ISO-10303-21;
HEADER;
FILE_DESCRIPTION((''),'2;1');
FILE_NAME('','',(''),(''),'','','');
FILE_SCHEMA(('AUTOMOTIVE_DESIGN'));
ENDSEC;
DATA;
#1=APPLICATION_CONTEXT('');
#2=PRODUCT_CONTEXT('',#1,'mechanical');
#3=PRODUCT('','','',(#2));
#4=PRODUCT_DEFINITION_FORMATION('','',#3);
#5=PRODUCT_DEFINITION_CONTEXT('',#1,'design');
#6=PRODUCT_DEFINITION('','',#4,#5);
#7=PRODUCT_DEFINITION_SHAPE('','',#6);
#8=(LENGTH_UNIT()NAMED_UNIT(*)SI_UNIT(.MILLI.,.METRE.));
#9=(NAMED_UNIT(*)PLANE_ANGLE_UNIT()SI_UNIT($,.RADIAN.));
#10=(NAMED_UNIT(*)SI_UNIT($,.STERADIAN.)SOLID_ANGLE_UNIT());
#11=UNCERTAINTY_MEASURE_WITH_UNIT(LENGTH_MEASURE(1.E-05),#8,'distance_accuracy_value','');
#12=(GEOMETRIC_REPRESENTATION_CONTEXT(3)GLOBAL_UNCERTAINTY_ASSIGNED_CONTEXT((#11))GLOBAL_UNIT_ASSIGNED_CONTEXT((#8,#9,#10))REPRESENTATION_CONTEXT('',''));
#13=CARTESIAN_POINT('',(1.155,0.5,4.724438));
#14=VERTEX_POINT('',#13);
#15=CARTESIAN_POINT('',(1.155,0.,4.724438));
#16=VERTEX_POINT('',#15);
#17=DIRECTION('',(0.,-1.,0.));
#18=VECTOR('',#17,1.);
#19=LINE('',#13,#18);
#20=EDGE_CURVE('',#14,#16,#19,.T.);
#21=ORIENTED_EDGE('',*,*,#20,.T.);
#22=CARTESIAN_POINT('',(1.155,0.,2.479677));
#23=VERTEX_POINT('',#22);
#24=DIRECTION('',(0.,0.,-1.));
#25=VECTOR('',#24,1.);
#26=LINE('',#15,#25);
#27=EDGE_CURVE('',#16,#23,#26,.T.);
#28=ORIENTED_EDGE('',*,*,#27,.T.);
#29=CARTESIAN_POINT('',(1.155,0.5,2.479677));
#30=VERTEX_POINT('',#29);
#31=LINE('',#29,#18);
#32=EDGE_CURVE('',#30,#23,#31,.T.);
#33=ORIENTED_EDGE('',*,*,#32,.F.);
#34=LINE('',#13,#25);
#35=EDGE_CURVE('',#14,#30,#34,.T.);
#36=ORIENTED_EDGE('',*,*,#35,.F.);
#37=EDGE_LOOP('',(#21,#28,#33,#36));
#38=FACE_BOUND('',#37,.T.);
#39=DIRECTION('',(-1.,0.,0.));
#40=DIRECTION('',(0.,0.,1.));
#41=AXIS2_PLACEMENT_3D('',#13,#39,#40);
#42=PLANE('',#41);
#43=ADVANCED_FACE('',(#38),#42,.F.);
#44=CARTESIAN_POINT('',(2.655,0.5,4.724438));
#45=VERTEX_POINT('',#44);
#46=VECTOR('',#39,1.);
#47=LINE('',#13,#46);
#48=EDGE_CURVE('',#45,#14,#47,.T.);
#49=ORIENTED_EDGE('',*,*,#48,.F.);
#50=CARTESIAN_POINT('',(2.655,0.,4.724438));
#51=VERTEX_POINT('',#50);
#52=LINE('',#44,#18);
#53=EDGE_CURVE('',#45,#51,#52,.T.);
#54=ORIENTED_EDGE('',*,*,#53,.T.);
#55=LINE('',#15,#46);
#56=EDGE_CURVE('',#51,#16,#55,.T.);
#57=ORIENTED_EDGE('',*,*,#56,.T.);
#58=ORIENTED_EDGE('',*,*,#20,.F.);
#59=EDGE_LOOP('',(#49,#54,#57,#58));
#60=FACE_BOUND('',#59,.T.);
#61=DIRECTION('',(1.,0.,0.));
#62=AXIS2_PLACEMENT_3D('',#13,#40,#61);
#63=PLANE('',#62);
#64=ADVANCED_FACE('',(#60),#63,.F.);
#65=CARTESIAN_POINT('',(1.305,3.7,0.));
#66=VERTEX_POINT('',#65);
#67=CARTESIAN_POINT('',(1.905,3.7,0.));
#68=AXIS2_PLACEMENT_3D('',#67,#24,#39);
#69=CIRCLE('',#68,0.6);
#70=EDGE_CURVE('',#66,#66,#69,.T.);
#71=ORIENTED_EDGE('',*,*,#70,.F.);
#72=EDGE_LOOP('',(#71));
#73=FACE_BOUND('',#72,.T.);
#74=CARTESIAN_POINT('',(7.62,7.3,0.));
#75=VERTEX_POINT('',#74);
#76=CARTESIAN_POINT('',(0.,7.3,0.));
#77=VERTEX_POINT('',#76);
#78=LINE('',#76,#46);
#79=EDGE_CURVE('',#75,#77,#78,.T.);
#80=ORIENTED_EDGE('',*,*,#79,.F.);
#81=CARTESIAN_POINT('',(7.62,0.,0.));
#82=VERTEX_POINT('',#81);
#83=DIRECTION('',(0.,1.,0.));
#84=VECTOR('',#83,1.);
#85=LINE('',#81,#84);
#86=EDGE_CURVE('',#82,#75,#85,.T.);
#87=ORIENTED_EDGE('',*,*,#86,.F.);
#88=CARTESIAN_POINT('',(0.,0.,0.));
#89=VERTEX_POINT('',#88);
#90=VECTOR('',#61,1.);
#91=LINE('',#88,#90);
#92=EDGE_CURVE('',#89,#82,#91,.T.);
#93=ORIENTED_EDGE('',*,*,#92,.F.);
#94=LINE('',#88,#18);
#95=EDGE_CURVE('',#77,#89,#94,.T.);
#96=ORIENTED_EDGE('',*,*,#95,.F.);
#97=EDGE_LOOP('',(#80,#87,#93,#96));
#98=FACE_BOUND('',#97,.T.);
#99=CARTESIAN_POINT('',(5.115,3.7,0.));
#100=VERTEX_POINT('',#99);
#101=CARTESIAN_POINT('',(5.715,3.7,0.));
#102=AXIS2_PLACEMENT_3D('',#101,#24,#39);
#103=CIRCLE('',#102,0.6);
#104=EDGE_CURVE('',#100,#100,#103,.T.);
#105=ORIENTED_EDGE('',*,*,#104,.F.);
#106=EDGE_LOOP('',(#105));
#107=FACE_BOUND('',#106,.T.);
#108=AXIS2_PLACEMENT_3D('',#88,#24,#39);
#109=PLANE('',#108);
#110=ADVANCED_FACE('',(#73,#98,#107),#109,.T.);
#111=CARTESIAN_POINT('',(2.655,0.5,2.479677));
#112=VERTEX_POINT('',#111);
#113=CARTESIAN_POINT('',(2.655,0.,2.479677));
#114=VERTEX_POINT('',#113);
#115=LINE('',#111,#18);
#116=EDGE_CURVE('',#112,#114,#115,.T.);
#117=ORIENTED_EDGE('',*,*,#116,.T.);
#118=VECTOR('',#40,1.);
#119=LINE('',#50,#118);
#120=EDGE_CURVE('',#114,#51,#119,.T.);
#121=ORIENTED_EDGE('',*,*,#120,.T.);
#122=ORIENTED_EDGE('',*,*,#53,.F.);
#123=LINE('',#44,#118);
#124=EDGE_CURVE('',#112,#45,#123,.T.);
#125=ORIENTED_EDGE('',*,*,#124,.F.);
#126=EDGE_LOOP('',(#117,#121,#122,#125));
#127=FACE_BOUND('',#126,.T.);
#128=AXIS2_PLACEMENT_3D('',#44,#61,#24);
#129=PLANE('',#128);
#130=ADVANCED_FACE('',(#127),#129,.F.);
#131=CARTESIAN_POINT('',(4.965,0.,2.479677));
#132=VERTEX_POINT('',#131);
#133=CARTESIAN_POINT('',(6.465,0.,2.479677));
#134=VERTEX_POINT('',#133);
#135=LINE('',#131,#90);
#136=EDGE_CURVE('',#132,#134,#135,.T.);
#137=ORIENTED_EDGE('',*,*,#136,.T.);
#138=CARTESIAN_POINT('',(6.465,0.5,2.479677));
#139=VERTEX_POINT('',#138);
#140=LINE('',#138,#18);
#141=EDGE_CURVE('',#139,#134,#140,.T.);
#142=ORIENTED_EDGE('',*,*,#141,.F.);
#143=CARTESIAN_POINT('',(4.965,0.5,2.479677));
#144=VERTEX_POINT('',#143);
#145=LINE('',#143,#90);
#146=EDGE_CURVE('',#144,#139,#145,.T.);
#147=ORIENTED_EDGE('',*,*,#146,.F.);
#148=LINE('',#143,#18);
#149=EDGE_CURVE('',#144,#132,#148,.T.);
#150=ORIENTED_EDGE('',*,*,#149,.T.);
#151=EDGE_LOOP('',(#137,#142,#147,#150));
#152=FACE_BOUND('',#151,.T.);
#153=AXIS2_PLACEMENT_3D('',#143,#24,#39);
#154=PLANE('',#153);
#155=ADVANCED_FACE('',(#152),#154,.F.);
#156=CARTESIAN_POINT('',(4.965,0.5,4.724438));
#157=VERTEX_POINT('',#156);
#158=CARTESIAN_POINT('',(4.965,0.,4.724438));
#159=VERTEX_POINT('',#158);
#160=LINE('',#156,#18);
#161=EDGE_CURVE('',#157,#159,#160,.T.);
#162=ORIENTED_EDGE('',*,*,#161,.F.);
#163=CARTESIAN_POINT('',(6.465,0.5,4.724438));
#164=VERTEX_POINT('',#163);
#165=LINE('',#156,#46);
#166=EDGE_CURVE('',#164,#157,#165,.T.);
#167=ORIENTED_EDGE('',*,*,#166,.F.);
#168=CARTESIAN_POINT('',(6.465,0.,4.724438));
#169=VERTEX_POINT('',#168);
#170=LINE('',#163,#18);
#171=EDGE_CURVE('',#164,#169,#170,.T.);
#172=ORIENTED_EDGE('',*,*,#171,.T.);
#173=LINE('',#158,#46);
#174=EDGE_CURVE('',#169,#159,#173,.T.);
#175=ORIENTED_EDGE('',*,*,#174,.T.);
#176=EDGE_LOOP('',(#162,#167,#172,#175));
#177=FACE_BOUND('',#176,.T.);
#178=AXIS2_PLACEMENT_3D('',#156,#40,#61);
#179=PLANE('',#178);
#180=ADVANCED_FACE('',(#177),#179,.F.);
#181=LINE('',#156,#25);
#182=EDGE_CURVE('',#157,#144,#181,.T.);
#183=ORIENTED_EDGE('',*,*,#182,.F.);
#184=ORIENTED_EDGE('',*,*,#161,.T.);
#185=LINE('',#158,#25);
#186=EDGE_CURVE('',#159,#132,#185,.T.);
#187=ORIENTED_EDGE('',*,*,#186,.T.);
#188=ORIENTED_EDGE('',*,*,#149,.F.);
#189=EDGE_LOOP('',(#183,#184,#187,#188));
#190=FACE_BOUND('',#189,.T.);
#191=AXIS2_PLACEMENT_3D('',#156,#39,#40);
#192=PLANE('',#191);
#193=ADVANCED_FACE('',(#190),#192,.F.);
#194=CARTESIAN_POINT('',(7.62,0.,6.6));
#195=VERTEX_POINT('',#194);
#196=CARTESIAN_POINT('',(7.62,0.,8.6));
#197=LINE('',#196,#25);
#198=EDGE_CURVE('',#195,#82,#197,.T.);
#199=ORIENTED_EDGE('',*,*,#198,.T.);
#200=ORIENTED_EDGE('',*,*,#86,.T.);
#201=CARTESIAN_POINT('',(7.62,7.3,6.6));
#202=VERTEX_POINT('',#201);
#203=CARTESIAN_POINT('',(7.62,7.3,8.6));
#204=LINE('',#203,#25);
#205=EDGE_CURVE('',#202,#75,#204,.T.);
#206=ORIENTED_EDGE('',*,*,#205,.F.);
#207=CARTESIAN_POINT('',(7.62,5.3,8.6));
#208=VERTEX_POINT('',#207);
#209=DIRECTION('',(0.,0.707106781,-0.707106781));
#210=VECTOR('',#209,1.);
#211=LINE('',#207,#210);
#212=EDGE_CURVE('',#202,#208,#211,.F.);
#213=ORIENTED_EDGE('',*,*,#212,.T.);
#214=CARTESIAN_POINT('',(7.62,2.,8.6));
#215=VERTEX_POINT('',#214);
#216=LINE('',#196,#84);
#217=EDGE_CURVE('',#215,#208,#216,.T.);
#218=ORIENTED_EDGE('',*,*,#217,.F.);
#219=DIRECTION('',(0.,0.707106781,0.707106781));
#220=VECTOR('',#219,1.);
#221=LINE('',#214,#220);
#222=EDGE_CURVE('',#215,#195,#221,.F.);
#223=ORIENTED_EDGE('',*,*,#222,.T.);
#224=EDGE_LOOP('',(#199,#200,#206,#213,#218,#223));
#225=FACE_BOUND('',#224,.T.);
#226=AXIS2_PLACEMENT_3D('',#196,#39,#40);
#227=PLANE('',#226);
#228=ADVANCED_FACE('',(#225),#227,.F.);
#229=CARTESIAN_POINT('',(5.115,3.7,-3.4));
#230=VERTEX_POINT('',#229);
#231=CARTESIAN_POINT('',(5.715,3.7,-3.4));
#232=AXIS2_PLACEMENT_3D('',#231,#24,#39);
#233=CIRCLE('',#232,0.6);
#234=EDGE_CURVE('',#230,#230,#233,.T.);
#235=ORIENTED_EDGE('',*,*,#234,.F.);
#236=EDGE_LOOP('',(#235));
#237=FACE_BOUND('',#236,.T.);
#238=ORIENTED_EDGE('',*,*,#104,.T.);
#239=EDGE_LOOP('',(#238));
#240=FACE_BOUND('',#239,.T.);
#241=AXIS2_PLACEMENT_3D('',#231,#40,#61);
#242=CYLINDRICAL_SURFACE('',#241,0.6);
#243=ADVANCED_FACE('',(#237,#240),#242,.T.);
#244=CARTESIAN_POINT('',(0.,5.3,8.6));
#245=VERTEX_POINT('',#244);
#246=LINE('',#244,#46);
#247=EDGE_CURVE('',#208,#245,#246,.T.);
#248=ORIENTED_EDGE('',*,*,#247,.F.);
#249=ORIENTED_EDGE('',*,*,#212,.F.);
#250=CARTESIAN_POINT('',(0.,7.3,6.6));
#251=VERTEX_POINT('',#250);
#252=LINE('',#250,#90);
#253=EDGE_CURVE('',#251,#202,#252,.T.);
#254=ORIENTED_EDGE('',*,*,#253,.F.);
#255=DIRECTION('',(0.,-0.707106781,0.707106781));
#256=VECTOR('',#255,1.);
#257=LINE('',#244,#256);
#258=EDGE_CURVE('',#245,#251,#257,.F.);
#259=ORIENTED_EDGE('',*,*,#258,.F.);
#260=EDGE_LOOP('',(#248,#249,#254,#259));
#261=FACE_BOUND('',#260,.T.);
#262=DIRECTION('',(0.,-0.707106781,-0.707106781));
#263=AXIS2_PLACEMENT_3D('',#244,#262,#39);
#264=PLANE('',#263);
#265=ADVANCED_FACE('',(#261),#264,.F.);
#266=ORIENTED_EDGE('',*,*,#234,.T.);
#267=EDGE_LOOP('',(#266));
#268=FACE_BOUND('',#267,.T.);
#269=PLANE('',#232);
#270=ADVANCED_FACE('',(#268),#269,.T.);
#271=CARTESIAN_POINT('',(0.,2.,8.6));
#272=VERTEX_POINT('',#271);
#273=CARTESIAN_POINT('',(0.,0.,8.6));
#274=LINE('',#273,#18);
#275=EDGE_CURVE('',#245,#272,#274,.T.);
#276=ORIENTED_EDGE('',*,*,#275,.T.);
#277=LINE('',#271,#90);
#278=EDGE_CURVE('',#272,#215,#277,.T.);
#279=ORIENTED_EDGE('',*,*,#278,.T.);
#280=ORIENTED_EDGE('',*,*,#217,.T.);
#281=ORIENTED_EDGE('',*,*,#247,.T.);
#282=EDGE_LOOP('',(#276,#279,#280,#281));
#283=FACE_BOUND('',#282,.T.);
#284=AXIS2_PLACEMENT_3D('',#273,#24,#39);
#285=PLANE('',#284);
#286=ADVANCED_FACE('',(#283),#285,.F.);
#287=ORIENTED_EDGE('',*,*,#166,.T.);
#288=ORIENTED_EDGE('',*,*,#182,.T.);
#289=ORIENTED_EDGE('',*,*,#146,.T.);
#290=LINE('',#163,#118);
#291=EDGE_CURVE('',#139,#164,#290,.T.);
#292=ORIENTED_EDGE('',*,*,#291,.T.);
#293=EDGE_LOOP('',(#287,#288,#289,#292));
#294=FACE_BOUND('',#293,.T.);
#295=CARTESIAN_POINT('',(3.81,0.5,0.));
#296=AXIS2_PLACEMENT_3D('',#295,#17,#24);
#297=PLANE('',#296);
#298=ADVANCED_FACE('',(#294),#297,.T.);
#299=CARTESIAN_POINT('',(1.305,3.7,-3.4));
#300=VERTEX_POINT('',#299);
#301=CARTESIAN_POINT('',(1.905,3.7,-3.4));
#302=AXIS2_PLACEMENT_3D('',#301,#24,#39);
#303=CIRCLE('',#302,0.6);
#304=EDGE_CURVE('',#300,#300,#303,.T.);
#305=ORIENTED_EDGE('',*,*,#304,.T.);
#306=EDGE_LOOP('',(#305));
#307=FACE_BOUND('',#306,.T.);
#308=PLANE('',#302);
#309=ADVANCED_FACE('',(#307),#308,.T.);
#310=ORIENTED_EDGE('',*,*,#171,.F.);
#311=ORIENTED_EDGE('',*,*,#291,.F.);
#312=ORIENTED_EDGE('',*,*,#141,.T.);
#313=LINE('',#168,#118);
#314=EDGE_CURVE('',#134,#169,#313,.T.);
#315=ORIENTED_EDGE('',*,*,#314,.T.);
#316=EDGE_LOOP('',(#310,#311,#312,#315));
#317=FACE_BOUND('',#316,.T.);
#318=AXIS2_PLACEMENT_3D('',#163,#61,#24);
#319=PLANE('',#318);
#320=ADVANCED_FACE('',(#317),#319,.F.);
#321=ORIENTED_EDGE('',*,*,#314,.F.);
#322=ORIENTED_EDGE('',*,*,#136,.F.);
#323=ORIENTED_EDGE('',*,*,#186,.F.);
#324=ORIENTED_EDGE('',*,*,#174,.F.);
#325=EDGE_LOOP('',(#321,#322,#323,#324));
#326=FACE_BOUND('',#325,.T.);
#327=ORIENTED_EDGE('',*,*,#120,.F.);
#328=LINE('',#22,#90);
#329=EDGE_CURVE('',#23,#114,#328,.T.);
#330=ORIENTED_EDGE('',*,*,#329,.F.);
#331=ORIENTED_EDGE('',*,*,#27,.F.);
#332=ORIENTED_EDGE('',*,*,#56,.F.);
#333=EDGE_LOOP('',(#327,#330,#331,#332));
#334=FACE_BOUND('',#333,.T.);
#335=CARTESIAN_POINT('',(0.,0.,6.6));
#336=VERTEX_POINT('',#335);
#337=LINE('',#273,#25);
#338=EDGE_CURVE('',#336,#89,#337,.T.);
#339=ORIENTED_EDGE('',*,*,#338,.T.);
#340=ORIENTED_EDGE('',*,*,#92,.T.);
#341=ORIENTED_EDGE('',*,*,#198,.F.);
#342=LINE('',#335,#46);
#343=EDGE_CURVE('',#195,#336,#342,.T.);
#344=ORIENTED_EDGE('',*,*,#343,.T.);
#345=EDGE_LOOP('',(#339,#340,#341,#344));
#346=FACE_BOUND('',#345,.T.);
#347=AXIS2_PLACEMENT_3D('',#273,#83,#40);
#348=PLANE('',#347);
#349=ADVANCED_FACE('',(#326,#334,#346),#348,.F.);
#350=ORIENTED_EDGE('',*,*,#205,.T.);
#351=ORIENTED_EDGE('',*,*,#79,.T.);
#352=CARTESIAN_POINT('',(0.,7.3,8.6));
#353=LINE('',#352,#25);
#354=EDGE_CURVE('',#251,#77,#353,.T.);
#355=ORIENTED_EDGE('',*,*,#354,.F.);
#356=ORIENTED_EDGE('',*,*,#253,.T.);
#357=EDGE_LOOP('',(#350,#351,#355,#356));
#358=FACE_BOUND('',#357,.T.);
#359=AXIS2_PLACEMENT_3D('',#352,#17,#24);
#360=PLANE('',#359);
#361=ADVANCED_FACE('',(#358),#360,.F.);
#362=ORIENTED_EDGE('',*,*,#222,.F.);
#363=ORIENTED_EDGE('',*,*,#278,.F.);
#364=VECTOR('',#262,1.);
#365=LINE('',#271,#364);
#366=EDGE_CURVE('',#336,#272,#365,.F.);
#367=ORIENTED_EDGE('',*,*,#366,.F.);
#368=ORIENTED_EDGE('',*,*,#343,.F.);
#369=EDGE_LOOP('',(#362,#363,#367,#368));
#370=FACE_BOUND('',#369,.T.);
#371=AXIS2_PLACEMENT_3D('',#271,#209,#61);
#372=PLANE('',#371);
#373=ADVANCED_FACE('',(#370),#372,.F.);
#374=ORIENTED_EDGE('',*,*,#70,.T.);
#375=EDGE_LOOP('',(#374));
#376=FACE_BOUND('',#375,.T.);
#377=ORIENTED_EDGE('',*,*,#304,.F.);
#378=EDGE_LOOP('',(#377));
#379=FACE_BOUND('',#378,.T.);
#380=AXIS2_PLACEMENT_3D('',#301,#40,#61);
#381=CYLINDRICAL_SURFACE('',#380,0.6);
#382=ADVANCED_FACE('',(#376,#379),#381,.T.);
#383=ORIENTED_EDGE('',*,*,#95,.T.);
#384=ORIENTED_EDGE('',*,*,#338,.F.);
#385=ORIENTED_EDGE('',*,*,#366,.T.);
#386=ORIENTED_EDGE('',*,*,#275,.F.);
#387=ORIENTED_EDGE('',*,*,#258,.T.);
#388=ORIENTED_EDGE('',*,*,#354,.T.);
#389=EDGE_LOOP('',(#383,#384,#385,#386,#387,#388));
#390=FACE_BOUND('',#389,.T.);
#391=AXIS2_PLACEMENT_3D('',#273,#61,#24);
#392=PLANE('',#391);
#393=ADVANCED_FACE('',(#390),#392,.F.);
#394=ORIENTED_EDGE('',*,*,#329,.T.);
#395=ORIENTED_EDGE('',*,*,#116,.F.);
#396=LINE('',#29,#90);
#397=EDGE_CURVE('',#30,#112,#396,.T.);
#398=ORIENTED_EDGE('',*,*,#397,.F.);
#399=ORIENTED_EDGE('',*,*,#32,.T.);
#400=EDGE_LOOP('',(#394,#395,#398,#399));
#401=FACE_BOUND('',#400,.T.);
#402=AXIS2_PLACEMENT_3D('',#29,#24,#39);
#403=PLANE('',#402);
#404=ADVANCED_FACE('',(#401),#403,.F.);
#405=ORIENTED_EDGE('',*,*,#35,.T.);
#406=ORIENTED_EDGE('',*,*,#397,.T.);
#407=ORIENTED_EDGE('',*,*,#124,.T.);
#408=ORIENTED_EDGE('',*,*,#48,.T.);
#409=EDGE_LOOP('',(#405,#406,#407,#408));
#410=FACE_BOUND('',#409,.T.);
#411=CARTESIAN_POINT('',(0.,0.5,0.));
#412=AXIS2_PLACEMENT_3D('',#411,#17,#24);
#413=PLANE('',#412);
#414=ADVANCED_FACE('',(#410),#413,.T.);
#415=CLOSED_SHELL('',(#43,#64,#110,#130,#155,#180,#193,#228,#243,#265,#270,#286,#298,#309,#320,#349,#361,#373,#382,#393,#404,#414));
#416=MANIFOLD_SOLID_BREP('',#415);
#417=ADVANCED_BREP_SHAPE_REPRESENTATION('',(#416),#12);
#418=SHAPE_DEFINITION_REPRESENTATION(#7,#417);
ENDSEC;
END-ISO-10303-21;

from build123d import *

# Parameters (mm, degrees)
SKETCH_1_W             = 7.62
SKETCH_1_H             = 7.3
EXTRUDE_1_DEPTH        = 8.6
CHAMFER_1_SIZE         = 2
SKETCH_2_W             = 1.5
SKETCH_2_H             = 2.244760595
CUT_EXTRUDE_1_DEPTH    = 0.5
PATTERN_LINEAR_1_COUNT = 2
PATTERN_LINEAR_1_PITCH = 3.81
SKETCH_3_R             = 0.6
EXTRUDE_2_DEPTH        = 3.4
PATTERN_LINEAR_2_COUNT = 2
PATTERN_LINEAR_2_PITCH = 3.81


with BuildPart() as part:
    # 草图1 → 凸台-拉伸1 (new body)
    with BuildSketch(Plane.XY):
        with Locations((3.81, 3.65)):
            Rectangle(SKETCH_1_W, SKETCH_1_H)
    extrude(amount=EXTRUDE_1_DEPTH)

    # 倒角1
    chamfer_1_edges = [part.edges().sort_by_distance(p)[0] for p in [
        (3.81, 7.3, 8.6),
        (3.81, 0, 8.6),
    ]]
    chamfer(chamfer_1_edges, length=CHAMFER_1_SIZE)

    # 草图2 → 切除-拉伸1 (cut)
    with BuildSketch(Plane.XZ):
        with Locations((1.905, 3.602057757)):
            Rectangle(SKETCH_2_W, SKETCH_2_H)
    cut_extrude_1 = extrude(amount=-CUT_EXTRUDE_1_DEPTH, mode=Mode.SUBTRACT)

    # 阵列(线性)1: 切除-拉伸1 ×2
    with Locations(*[(i * PATTERN_LINEAR_1_PITCH, 0, 0) for i in range(1, PATTERN_LINEAR_1_COUNT)]):
        add(cut_extrude_1, mode=Mode.SUBTRACT)

    # 草图3 → 凸台-拉伸2 (add)
    with BuildSketch(Plane(origin=(0, 0, 0), x_dir=(-1, 0, 0), z_dir=(0, 0, -1))):
        with Locations((-5.715, 3.7)):
            Circle(SKETCH_3_R)
    extrude_2 = extrude(amount=EXTRUDE_2_DEPTH)

    # 阵列(线性)2: 凸台-拉伸2 ×2
    with Locations(*[(-i * PATTERN_LINEAR_2_PITCH, 0, 0) for i in range(1, PATTERN_LINEAR_2_COUNT)]):
        add(extrude_2)


solid = part.part
